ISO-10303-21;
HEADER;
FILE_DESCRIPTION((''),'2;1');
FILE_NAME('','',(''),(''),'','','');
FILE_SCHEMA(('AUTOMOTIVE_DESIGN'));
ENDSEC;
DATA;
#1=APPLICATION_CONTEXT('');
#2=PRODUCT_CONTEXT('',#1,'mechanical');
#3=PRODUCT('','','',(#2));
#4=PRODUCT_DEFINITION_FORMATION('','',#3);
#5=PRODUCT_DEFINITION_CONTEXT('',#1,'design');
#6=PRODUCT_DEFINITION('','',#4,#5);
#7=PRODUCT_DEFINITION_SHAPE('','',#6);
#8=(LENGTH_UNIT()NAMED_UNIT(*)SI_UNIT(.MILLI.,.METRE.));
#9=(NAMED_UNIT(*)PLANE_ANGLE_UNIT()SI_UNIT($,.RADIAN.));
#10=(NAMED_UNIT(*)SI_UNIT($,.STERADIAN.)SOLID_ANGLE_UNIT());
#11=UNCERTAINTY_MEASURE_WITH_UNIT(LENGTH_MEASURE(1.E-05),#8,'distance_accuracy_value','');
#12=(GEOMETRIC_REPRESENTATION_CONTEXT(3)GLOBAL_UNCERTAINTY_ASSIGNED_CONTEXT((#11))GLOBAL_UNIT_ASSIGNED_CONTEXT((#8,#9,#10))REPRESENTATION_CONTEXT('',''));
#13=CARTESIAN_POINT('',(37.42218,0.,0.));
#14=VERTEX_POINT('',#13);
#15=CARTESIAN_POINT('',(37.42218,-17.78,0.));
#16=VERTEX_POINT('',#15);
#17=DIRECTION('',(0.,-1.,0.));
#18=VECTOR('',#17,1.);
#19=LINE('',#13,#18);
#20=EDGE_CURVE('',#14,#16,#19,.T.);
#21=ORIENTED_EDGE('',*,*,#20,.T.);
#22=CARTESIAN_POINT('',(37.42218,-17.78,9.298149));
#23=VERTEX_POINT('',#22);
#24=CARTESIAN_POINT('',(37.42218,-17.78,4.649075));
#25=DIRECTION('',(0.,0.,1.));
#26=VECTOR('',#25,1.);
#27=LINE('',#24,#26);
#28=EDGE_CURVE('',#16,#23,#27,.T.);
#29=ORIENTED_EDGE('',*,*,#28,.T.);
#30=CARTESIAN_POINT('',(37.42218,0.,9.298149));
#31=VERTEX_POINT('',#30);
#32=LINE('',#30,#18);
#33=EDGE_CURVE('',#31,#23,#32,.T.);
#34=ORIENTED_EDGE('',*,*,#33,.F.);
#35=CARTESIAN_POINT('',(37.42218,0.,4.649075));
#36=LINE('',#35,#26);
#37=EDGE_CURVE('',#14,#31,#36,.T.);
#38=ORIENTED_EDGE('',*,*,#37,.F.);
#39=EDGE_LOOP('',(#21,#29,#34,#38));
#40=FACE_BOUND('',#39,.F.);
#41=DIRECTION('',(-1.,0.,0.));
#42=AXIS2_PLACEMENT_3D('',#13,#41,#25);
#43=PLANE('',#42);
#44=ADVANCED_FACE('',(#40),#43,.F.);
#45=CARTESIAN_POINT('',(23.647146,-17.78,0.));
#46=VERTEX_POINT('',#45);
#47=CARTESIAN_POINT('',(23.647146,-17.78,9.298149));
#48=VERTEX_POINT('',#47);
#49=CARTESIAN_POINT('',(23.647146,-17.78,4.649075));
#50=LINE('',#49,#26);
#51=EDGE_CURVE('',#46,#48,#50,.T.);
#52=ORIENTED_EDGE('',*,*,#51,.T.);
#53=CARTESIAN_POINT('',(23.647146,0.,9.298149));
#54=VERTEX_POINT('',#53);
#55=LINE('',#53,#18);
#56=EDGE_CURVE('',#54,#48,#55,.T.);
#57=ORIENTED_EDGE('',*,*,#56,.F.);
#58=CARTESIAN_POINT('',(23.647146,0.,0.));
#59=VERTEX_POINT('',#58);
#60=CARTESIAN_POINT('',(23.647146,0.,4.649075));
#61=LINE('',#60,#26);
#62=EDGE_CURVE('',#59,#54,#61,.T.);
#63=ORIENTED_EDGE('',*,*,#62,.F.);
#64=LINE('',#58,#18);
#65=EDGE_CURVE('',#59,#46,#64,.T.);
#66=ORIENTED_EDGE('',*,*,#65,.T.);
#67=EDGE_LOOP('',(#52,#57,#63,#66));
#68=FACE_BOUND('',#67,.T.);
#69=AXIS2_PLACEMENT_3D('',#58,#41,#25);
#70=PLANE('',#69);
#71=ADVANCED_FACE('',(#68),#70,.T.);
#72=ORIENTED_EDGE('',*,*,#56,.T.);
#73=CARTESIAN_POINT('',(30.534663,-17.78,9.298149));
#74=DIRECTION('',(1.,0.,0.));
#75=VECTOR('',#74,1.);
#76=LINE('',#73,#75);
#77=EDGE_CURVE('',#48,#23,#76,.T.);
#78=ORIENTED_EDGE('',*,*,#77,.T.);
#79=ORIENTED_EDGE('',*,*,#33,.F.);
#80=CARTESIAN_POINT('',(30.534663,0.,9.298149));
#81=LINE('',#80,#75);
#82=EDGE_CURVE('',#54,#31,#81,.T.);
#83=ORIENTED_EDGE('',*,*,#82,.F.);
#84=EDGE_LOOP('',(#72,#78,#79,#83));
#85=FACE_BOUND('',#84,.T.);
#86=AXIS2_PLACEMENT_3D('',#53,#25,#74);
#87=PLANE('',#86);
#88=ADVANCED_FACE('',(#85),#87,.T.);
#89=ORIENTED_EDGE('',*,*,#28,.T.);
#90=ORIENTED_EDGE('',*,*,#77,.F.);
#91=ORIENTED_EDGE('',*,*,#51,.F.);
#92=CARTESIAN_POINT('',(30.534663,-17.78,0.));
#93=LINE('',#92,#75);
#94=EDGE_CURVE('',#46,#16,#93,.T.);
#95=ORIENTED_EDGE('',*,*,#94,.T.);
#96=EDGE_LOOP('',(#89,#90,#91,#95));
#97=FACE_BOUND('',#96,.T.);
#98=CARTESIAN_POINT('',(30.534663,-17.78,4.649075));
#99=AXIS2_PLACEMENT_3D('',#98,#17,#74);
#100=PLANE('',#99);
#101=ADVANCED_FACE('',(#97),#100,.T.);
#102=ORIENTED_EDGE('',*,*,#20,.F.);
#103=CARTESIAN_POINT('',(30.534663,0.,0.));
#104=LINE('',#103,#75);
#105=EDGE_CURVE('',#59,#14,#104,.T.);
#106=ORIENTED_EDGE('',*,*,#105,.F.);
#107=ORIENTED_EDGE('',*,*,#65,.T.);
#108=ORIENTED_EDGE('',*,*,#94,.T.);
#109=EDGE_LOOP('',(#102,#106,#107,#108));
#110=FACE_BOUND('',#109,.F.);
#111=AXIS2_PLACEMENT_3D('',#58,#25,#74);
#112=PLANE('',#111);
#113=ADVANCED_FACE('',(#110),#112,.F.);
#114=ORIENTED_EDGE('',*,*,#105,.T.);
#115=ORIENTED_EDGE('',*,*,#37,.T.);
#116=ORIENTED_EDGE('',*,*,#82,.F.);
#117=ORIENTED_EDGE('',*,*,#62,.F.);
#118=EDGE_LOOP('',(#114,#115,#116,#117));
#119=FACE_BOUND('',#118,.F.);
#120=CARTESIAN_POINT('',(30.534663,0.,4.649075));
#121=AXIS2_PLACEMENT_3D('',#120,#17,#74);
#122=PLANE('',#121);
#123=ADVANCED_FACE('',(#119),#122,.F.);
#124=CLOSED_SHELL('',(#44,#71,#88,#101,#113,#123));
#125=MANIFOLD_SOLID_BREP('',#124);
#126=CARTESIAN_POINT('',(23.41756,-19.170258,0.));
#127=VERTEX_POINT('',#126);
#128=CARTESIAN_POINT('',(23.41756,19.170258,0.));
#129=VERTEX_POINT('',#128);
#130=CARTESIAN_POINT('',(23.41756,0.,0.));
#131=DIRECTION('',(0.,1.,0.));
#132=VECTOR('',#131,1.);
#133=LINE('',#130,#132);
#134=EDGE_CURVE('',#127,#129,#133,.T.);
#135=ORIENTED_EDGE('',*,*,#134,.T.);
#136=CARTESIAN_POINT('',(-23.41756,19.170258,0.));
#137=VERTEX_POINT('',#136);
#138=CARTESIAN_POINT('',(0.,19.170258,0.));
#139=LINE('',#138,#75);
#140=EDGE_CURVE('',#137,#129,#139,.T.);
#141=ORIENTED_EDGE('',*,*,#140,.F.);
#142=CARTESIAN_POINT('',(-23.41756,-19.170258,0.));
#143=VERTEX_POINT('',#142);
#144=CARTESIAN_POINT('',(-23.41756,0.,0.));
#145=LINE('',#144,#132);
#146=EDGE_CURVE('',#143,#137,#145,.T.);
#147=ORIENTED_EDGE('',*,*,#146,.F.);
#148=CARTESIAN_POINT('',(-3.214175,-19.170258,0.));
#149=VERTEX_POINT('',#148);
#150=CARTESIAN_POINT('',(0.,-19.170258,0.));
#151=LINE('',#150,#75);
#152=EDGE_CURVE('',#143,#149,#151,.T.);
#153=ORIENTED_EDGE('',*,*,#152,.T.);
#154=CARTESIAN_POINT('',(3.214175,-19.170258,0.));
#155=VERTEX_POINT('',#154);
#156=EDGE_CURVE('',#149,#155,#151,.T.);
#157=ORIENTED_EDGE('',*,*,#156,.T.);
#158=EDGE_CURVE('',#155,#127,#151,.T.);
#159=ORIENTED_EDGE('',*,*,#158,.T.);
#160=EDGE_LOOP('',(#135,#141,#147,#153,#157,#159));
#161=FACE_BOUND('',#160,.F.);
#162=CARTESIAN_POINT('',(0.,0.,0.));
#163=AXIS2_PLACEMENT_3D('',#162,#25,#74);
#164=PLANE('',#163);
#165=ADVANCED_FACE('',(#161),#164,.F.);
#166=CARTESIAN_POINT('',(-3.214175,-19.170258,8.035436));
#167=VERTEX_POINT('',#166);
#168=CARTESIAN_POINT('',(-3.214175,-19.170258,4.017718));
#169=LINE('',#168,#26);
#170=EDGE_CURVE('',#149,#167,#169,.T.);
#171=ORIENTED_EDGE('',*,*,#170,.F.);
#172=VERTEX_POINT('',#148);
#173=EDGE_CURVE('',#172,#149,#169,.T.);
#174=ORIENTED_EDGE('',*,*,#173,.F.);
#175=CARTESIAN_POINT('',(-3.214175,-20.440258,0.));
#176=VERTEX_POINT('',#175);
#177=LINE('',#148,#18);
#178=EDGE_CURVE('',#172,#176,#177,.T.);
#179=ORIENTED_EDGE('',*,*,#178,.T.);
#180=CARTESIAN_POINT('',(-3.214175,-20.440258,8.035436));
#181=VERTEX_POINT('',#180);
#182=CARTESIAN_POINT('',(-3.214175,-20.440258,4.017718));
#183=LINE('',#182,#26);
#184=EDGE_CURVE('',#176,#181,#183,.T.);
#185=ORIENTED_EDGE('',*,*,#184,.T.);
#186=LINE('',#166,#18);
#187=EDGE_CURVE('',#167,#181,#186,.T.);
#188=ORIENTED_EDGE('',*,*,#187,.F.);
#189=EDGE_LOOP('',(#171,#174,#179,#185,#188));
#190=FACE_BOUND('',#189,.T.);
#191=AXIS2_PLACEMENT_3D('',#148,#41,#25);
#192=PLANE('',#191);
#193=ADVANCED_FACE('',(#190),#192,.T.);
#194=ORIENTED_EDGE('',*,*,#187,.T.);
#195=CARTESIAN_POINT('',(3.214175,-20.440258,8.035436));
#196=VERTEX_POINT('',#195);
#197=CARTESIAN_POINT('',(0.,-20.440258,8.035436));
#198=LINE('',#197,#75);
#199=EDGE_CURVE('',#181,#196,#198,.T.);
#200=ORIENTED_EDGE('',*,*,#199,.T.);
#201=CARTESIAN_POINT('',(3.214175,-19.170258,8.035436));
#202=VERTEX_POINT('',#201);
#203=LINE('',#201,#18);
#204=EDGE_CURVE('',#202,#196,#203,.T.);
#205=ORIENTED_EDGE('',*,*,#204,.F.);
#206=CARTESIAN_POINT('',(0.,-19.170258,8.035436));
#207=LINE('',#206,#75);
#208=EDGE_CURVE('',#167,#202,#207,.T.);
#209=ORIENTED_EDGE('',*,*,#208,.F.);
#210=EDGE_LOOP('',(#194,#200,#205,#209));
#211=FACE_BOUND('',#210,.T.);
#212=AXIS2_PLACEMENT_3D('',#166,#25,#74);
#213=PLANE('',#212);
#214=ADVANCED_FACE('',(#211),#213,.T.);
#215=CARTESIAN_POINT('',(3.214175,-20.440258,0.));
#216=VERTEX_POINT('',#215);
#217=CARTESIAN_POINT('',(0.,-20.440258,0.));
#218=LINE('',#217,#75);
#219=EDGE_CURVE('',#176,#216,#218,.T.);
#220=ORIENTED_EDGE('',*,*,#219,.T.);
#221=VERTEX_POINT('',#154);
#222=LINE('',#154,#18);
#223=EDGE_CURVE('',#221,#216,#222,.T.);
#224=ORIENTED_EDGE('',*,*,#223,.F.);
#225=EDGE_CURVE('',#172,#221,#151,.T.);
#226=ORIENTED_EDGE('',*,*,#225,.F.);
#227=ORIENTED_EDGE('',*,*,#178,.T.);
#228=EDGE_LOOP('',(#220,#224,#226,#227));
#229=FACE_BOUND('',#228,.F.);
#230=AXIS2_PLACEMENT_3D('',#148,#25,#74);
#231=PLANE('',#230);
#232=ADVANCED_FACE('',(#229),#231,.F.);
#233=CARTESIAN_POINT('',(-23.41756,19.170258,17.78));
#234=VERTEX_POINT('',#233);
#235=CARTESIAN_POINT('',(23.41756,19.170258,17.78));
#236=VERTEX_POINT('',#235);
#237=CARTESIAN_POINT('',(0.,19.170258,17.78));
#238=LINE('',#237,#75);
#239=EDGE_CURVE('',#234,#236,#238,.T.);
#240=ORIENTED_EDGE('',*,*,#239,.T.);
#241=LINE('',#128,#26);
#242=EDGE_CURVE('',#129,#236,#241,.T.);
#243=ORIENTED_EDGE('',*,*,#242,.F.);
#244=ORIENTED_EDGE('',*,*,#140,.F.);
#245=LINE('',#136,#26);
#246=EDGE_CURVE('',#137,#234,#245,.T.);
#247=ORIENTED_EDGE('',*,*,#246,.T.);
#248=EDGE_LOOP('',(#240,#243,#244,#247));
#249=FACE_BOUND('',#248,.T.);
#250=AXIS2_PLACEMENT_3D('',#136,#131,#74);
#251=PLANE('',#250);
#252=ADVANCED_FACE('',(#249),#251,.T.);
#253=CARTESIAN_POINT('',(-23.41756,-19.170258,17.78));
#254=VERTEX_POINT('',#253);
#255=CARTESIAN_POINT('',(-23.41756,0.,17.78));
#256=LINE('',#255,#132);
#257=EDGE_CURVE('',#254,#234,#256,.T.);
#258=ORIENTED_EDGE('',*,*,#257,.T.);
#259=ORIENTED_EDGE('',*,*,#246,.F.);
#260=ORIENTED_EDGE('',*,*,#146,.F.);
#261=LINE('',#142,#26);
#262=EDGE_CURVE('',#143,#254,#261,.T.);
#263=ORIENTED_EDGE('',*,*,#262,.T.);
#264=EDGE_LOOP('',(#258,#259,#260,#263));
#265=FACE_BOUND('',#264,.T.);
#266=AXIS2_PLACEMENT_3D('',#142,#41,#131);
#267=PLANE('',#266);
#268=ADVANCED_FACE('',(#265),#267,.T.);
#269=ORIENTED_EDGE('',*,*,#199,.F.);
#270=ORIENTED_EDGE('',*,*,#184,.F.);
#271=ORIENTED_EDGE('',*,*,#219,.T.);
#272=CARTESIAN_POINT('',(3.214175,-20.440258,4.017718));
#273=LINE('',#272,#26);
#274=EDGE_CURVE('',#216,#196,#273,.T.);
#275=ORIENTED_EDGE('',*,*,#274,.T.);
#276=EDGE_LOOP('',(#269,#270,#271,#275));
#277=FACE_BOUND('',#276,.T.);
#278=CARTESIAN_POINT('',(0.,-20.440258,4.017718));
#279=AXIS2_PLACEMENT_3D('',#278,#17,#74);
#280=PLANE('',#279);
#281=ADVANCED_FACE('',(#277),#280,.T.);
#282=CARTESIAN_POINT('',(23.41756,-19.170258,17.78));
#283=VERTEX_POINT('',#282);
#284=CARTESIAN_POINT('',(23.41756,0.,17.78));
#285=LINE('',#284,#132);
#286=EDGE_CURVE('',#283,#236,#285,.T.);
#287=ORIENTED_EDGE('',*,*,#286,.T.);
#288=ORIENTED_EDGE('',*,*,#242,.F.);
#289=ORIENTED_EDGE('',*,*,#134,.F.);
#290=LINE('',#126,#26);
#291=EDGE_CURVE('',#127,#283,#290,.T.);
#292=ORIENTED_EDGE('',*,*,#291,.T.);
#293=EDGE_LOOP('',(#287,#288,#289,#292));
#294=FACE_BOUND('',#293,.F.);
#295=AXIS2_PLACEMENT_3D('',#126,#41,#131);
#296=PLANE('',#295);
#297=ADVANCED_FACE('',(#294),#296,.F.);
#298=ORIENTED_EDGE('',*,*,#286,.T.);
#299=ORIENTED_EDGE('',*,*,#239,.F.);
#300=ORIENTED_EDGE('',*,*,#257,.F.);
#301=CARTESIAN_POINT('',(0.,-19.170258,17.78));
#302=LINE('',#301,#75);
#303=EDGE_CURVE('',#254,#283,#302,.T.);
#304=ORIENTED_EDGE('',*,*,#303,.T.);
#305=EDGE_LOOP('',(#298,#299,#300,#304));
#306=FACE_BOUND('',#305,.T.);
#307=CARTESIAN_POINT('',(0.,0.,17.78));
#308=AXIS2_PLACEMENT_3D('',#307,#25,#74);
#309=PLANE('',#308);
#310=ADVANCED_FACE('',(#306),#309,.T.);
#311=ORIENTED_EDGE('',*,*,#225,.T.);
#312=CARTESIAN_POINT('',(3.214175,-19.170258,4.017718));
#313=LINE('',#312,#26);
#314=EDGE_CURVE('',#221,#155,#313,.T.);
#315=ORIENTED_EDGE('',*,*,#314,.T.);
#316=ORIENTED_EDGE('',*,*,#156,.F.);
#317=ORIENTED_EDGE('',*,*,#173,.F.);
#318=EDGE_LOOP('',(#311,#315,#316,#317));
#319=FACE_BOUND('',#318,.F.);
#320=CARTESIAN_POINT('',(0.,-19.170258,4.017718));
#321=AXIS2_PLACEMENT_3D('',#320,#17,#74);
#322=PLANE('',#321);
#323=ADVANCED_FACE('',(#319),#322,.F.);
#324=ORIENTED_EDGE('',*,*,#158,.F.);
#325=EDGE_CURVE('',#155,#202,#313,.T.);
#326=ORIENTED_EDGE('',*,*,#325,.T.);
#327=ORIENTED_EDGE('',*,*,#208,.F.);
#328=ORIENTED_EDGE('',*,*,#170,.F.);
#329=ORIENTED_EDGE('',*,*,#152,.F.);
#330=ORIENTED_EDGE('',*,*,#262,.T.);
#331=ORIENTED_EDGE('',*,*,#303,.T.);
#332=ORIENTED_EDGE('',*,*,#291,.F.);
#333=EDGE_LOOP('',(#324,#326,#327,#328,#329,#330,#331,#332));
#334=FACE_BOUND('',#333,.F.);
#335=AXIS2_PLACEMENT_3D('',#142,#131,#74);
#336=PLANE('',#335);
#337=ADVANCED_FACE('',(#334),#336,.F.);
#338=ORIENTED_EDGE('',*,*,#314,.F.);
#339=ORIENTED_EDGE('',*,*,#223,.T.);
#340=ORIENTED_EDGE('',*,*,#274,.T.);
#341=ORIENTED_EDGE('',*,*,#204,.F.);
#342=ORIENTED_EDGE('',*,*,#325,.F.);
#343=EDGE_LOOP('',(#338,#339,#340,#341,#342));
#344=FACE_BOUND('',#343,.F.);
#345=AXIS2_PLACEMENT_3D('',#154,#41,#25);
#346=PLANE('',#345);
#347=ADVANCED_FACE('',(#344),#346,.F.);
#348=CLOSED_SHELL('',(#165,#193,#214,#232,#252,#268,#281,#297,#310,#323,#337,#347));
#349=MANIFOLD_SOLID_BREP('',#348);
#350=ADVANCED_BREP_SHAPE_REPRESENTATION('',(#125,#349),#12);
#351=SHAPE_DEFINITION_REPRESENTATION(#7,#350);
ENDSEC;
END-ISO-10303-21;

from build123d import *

# Parameters (mm, degrees)
F0_W     = 46.83512
F0_H     = 38.340516
F1_DEPTH = 17.78
F2_W     = 6.42835
F2_H     = 8.035437
F3_DEPTH = 1.27
F5_W     = 13.775034
F5_H     = 9.298149
F6_DEPTH = 17.78


with BuildPart() as f1:
    # F0 (on Top) → F1 (new body)
    with BuildSketch(Plane.XY):
        Rectangle(F0_W, F0_H)
    extrude(amount=F1_DEPTH)

    # F2 (on face) → F3 (join)
    with BuildSketch(Plane.XZ.offset(19.170258)):
        with Locations((0, 4.017718)):
            Rectangle(F2_W, F2_H)
    extrude(amount=F3_DEPTH)


with BuildPart() as f6:
    # F5 (on Front) → F6 (new body)
    with BuildSketch(Plane.XZ):
        with Locations((30.534663, 4.649075)):
            Rectangle(F5_W, F5_H)
    extrude(amount=F6_DEPTH)


solid = Compound([f1.part, f6.part])
